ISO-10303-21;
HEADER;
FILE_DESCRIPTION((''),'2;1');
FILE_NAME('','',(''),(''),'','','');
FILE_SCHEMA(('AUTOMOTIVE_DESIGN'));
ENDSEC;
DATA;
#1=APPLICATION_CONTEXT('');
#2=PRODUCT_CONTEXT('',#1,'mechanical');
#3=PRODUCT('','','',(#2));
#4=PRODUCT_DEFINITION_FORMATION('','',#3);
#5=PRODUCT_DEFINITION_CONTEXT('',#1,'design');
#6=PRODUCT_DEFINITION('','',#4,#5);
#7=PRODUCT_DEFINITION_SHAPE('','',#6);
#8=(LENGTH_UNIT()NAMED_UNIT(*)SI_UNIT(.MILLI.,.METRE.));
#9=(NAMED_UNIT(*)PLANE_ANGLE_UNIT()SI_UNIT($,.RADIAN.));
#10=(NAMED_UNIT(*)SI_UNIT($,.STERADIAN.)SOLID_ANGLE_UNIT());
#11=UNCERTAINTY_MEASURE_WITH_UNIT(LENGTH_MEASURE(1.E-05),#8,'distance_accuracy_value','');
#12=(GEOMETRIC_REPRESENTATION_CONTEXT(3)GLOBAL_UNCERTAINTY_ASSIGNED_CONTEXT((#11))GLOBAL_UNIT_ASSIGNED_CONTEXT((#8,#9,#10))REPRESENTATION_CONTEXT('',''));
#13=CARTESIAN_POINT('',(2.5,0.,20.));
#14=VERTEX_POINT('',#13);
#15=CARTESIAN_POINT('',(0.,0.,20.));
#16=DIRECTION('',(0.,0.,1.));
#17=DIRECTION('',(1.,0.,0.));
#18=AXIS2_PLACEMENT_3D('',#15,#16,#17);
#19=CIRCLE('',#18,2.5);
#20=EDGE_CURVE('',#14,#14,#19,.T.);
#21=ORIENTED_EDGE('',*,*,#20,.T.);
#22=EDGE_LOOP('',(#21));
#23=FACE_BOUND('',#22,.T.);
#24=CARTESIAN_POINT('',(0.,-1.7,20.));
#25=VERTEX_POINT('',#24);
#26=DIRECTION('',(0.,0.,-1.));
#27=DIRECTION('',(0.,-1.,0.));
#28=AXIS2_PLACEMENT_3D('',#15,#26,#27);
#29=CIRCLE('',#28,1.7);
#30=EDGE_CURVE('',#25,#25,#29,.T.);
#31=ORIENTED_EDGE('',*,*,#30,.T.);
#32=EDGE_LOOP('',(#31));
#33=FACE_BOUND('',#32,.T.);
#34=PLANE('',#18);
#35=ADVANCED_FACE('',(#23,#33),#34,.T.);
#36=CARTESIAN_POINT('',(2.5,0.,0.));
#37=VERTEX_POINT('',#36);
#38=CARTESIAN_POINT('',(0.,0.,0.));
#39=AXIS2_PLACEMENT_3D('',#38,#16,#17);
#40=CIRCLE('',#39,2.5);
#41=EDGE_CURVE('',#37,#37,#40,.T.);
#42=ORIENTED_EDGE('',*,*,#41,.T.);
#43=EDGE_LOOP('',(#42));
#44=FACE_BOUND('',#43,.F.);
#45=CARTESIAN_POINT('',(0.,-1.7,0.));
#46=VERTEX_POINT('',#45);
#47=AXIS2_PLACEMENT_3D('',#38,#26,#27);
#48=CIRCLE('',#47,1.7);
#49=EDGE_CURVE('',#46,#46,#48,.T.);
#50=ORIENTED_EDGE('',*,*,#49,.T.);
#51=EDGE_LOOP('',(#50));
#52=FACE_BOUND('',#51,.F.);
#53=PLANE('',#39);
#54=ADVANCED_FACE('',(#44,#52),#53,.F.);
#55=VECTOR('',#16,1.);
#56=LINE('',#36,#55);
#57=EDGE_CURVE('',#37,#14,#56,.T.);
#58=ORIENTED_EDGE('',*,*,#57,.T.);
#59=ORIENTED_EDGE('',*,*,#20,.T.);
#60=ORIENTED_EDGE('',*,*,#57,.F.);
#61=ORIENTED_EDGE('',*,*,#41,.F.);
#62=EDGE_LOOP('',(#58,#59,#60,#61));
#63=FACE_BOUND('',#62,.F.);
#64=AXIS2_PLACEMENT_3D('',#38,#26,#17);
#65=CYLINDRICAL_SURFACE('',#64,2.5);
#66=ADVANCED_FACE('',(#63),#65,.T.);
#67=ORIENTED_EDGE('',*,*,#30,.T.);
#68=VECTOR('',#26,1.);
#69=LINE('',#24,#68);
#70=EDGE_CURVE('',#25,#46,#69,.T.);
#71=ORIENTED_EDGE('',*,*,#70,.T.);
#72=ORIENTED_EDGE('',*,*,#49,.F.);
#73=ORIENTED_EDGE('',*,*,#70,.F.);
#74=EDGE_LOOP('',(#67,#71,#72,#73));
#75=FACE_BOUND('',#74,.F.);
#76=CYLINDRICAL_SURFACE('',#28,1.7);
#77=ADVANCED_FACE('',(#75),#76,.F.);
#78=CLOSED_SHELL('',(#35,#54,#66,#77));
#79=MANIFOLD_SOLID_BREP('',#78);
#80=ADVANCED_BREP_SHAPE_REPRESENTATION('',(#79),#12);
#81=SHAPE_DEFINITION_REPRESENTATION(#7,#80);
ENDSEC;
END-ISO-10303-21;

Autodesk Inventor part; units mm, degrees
ref_plane "YZ Plane" through (0, 0, 0) normal (1, 0, 0) x (0, 1, 0)
ref_plane "XZ Plane" through (0, 0, 0) normal (0, 1, 0) x (-1, 0, 0)
ref_plane "XY Plane" through (0, 0, 0) normal (0, 0, 1) x (1, 0, 0)
sketch "スケッチ1" plane through (0, 0, 0) normal (0, 0, 1) x (1, 0, 0)
  circle A0 centre (0, 0) radius 2.5
  dimension "d0" = 5
extrude "押し出し1" add sketch "スケッチ1" along normal blind 20
sketch "スケッチ2" plane through (0, 0, 20) normal (0, 0, 1) x (1, 0, 0)
  point P0 (0, 0)
hole "穴1" at (0, 0, 20) direction (0, 0, -1) diameter 3.4 end through all clearance for "Flat Head Machine Screw" size "M3" standard "Ansi Metric M Profile"
properties part number "20220508_知能ロボットスペーサ"
